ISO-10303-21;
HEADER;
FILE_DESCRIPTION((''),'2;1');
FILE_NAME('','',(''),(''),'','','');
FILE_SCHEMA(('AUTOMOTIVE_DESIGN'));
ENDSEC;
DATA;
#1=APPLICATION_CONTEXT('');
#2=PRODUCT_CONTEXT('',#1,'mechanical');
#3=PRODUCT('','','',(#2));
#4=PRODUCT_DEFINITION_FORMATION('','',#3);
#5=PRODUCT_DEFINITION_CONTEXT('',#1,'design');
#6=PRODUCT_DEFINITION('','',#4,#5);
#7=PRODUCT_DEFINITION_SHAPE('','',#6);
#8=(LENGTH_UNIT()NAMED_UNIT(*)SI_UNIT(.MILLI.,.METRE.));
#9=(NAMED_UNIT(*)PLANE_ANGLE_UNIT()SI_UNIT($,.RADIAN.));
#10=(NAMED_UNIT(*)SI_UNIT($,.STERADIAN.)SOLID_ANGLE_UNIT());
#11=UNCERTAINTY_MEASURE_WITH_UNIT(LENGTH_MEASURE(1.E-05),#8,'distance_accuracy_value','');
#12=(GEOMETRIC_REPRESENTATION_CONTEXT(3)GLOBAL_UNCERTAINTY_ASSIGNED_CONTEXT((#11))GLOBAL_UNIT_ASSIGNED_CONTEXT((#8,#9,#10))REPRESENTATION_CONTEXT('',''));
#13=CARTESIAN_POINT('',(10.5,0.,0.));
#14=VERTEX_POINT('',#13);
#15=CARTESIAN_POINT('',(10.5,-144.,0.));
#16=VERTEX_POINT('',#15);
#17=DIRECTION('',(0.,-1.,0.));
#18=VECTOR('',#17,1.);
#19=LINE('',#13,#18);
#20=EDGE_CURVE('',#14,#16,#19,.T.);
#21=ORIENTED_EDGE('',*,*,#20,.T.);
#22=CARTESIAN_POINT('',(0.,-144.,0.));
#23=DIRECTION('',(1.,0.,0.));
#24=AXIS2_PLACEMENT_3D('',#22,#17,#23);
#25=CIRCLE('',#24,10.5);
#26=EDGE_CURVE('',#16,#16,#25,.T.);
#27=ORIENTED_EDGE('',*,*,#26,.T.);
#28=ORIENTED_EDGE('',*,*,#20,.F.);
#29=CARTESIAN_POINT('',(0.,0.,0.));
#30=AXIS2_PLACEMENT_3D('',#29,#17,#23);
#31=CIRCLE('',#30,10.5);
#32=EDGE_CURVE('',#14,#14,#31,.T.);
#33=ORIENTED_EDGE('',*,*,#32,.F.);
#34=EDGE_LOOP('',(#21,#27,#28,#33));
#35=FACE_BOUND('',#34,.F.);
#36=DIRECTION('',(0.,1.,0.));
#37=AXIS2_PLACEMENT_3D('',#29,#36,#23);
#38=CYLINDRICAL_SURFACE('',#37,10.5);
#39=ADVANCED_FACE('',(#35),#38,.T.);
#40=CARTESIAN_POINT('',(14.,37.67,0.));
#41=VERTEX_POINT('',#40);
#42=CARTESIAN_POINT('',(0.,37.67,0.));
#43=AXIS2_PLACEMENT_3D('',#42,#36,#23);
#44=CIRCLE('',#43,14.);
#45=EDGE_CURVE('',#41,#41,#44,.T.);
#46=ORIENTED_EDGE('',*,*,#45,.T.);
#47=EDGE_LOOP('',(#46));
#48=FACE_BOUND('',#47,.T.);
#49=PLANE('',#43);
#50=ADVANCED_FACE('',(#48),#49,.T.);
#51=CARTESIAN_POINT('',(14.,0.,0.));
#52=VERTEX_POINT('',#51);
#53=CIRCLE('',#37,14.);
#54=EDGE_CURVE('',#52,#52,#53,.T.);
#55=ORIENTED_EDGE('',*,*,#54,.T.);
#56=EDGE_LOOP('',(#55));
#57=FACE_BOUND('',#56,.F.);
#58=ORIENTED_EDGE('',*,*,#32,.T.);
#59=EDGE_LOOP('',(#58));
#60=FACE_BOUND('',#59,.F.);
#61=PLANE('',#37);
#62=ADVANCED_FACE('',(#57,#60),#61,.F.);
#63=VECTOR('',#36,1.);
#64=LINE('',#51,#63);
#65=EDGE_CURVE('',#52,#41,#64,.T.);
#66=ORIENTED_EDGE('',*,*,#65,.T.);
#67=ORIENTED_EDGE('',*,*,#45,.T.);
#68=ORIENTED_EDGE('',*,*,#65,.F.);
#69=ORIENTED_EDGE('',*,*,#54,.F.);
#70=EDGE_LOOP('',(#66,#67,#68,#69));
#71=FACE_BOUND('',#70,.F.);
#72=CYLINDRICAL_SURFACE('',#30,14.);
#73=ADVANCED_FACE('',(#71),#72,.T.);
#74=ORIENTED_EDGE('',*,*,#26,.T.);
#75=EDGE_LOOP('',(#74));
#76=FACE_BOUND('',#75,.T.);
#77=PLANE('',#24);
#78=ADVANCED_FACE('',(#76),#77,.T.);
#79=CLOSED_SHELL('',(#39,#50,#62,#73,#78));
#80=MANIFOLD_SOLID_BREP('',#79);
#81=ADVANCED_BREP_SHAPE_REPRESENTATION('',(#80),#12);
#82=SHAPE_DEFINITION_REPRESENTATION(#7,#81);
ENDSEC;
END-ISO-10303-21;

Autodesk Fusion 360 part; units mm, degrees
sketch "Sketch1" plane through (0, 0, 0) normal (0, 1, 0) x (1, 0, 0)
  circle A0 centre (0, 0) radius 14
  dimension "d1" = 28
extrude "Extrude1" add sketch "Sketch1" along normal blind 37.67
sketch "Sketch2" plane through (0, 0, 0) normal (0, -1, 0) x (1, 0, 0)
  circle A0 centre (0, 0) radius 14
  circle A1 centre (0, 0) radius 10.5
  dimension "d4" = 21
extrude "Extrude2" add sketch "Sketch2" along normal blind 144 contours A1
